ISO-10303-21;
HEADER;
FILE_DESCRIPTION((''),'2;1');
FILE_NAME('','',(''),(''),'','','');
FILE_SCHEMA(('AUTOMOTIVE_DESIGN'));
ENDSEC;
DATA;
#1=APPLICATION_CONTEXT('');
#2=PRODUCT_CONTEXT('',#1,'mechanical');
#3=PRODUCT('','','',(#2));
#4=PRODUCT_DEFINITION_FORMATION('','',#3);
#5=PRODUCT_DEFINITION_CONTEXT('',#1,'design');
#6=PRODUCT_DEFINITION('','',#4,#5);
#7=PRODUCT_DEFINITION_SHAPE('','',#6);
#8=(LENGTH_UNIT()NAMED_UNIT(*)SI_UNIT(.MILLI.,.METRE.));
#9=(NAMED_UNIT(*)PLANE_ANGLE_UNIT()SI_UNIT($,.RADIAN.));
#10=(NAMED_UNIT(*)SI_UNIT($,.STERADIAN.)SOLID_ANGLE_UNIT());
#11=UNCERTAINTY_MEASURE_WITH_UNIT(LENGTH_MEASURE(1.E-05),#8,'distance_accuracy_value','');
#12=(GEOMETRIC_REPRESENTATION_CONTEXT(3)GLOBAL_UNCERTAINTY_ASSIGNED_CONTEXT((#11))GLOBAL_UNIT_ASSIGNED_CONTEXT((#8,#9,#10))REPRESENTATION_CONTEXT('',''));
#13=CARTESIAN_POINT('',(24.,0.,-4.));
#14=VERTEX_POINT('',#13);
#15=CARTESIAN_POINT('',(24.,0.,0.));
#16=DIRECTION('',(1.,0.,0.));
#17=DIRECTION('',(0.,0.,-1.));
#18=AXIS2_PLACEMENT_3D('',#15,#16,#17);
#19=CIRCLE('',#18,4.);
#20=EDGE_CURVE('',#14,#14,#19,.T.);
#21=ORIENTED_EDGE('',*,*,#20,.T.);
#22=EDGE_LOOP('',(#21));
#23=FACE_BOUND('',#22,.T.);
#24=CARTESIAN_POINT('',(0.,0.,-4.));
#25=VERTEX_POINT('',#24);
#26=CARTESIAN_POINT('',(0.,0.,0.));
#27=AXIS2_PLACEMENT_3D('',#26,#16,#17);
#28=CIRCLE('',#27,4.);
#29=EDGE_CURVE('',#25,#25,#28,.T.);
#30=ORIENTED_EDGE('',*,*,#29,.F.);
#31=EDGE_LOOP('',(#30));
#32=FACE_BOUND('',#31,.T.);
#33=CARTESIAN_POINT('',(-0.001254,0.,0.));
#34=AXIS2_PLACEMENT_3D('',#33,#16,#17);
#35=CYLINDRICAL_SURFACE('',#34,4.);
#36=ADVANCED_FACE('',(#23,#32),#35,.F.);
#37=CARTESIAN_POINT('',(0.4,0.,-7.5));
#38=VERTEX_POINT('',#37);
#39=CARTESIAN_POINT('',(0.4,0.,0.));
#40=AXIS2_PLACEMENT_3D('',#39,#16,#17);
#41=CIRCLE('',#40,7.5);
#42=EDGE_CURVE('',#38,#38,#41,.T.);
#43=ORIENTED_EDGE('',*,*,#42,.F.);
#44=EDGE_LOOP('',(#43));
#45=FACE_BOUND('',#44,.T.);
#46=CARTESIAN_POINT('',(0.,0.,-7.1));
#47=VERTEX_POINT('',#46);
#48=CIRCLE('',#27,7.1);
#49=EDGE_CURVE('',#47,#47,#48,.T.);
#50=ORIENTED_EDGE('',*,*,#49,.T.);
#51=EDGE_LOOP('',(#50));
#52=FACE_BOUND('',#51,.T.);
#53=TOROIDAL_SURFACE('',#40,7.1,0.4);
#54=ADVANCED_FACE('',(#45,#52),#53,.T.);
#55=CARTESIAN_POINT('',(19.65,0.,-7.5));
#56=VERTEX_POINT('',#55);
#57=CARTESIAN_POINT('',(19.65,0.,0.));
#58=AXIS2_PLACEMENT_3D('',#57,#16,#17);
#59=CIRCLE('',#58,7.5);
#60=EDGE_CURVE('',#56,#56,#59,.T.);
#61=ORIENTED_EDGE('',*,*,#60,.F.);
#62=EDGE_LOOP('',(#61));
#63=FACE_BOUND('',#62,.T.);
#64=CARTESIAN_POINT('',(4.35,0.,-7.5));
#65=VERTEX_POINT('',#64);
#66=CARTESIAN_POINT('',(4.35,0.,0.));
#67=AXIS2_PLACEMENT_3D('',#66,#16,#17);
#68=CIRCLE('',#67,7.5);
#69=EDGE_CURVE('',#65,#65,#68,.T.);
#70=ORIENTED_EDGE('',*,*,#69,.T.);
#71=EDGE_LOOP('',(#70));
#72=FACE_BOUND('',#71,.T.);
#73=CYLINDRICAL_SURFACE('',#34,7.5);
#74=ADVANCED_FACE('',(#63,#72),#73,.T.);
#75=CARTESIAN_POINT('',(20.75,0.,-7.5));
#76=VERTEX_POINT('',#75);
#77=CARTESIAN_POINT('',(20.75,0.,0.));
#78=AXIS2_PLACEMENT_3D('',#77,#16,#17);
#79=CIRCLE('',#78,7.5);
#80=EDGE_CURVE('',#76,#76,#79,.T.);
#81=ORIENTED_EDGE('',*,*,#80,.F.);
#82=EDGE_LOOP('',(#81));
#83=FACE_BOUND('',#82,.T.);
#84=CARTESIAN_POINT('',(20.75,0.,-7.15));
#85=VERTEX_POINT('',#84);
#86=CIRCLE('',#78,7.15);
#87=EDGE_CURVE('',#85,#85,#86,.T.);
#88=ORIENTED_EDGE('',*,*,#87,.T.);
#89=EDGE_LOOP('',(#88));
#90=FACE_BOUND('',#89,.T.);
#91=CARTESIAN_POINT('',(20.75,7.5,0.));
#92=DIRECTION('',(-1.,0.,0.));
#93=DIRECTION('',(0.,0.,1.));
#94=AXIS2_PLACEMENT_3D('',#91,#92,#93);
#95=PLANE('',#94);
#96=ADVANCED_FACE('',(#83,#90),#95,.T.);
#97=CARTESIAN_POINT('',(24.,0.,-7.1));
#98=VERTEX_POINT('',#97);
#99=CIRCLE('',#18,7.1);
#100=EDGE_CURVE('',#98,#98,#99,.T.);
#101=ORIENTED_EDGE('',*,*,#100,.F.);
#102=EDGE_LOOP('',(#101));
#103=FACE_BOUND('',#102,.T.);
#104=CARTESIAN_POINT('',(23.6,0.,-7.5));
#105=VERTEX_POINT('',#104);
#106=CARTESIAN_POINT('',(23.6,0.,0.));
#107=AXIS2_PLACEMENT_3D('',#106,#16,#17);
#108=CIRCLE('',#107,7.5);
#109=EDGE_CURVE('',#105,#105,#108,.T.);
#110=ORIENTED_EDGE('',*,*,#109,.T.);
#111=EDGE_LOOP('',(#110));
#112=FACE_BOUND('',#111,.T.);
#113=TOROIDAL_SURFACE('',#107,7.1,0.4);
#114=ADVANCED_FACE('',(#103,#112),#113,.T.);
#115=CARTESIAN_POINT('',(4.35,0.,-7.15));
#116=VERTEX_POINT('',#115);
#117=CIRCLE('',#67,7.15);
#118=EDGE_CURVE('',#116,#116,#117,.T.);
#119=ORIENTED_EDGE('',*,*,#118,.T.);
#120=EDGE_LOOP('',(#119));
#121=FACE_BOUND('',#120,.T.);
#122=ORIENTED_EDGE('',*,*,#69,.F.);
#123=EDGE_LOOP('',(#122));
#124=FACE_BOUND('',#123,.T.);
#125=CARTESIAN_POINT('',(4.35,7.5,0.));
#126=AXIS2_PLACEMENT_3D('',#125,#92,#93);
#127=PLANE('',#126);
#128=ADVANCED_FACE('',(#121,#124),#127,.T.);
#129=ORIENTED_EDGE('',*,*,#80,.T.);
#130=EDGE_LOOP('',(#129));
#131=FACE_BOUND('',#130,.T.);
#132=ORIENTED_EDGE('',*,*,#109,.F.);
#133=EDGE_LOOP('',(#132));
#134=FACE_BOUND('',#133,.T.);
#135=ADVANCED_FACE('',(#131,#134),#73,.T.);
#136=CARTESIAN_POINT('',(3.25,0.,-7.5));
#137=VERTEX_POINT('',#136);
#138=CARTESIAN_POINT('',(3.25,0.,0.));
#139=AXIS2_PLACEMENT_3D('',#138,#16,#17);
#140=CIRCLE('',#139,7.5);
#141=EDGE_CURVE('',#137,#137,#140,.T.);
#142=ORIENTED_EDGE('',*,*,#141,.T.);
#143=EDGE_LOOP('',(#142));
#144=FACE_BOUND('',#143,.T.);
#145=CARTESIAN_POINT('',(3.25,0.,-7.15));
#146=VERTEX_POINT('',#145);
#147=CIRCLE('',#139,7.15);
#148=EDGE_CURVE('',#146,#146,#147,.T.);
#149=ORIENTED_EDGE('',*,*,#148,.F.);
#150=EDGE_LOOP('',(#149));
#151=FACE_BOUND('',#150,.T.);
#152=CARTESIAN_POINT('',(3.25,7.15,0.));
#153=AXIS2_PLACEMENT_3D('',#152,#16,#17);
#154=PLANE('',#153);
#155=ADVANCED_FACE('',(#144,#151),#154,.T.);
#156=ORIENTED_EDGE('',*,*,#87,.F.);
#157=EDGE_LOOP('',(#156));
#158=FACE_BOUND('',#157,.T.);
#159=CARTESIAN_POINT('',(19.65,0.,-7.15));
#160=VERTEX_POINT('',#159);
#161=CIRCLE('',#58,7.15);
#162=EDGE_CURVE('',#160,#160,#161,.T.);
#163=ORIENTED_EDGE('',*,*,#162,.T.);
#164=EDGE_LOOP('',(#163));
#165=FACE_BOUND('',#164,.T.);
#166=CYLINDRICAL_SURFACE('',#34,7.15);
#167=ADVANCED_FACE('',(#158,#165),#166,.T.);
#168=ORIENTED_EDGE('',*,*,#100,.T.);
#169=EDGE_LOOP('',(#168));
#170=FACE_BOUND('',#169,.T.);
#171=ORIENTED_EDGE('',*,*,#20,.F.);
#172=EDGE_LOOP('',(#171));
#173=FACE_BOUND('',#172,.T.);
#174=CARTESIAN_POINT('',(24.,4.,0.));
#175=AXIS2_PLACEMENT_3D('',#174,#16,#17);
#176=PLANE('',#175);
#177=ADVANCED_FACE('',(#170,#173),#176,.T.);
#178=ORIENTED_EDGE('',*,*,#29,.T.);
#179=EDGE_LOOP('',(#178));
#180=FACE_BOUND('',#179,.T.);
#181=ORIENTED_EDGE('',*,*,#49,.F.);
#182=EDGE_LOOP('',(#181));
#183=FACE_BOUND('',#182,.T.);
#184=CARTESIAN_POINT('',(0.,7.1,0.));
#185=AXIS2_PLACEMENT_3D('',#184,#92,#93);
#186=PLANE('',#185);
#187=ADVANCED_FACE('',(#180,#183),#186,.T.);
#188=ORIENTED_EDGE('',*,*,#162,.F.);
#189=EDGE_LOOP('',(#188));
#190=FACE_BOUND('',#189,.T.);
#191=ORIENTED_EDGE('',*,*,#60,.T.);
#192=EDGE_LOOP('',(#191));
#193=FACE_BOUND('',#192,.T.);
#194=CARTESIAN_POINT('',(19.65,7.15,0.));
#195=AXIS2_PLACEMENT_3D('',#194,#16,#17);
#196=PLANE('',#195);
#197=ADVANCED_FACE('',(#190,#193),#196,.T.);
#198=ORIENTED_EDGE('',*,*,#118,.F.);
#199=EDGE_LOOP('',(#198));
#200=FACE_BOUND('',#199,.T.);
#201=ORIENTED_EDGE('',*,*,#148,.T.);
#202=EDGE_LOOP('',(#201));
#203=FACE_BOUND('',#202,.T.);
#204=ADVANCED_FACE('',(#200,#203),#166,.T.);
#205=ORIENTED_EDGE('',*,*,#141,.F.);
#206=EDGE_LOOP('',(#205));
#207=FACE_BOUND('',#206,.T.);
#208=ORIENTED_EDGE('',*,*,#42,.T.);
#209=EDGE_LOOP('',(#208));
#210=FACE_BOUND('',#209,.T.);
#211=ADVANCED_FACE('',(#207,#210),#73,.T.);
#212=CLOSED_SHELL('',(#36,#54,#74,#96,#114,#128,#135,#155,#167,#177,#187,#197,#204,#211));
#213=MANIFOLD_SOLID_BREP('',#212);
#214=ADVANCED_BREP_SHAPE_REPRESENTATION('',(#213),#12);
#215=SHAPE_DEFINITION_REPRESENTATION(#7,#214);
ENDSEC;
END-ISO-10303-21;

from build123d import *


with BuildPart() as part:
    # Sketch1 → Revolve1 (revolve)
    with BuildSketch(Plane.XY):
        with BuildLine():
            Line((0, 7.1), (0, 4))
            Line((0, 4), (24, 4))
            Line((24, 4), (24, 7.1))
            ThreePointArc((24, 7.1), (23.882842712, 7.382842712), (23.6, 7.5))
            Line((23.6, 7.5), (20.75, 7.5))
            Line((20.75, 7.5), (20.75, 7.15))
            Line((20.75, 7.15), (19.65, 7.15))
            Line((19.65, 7.15), (19.65, 7.5))
            Line((19.65, 7.5), (4.35, 7.5))
            Line((4.35, 7.5), (4.35, 7.15))
            Line((4.35, 7.15), (3.25, 7.15))
            Line((3.25, 7.15), (3.25, 7.5))
            Line((3.25, 7.5), (0.4, 7.5))
            ThreePointArc((0.4, 7.5), (0.117157288, 7.382842712), (0, 7.1))
        make_face()
    revolve(axis=Axis((-0.001253994, 0, 0), (1, 0, 0)))


solid = part.part
